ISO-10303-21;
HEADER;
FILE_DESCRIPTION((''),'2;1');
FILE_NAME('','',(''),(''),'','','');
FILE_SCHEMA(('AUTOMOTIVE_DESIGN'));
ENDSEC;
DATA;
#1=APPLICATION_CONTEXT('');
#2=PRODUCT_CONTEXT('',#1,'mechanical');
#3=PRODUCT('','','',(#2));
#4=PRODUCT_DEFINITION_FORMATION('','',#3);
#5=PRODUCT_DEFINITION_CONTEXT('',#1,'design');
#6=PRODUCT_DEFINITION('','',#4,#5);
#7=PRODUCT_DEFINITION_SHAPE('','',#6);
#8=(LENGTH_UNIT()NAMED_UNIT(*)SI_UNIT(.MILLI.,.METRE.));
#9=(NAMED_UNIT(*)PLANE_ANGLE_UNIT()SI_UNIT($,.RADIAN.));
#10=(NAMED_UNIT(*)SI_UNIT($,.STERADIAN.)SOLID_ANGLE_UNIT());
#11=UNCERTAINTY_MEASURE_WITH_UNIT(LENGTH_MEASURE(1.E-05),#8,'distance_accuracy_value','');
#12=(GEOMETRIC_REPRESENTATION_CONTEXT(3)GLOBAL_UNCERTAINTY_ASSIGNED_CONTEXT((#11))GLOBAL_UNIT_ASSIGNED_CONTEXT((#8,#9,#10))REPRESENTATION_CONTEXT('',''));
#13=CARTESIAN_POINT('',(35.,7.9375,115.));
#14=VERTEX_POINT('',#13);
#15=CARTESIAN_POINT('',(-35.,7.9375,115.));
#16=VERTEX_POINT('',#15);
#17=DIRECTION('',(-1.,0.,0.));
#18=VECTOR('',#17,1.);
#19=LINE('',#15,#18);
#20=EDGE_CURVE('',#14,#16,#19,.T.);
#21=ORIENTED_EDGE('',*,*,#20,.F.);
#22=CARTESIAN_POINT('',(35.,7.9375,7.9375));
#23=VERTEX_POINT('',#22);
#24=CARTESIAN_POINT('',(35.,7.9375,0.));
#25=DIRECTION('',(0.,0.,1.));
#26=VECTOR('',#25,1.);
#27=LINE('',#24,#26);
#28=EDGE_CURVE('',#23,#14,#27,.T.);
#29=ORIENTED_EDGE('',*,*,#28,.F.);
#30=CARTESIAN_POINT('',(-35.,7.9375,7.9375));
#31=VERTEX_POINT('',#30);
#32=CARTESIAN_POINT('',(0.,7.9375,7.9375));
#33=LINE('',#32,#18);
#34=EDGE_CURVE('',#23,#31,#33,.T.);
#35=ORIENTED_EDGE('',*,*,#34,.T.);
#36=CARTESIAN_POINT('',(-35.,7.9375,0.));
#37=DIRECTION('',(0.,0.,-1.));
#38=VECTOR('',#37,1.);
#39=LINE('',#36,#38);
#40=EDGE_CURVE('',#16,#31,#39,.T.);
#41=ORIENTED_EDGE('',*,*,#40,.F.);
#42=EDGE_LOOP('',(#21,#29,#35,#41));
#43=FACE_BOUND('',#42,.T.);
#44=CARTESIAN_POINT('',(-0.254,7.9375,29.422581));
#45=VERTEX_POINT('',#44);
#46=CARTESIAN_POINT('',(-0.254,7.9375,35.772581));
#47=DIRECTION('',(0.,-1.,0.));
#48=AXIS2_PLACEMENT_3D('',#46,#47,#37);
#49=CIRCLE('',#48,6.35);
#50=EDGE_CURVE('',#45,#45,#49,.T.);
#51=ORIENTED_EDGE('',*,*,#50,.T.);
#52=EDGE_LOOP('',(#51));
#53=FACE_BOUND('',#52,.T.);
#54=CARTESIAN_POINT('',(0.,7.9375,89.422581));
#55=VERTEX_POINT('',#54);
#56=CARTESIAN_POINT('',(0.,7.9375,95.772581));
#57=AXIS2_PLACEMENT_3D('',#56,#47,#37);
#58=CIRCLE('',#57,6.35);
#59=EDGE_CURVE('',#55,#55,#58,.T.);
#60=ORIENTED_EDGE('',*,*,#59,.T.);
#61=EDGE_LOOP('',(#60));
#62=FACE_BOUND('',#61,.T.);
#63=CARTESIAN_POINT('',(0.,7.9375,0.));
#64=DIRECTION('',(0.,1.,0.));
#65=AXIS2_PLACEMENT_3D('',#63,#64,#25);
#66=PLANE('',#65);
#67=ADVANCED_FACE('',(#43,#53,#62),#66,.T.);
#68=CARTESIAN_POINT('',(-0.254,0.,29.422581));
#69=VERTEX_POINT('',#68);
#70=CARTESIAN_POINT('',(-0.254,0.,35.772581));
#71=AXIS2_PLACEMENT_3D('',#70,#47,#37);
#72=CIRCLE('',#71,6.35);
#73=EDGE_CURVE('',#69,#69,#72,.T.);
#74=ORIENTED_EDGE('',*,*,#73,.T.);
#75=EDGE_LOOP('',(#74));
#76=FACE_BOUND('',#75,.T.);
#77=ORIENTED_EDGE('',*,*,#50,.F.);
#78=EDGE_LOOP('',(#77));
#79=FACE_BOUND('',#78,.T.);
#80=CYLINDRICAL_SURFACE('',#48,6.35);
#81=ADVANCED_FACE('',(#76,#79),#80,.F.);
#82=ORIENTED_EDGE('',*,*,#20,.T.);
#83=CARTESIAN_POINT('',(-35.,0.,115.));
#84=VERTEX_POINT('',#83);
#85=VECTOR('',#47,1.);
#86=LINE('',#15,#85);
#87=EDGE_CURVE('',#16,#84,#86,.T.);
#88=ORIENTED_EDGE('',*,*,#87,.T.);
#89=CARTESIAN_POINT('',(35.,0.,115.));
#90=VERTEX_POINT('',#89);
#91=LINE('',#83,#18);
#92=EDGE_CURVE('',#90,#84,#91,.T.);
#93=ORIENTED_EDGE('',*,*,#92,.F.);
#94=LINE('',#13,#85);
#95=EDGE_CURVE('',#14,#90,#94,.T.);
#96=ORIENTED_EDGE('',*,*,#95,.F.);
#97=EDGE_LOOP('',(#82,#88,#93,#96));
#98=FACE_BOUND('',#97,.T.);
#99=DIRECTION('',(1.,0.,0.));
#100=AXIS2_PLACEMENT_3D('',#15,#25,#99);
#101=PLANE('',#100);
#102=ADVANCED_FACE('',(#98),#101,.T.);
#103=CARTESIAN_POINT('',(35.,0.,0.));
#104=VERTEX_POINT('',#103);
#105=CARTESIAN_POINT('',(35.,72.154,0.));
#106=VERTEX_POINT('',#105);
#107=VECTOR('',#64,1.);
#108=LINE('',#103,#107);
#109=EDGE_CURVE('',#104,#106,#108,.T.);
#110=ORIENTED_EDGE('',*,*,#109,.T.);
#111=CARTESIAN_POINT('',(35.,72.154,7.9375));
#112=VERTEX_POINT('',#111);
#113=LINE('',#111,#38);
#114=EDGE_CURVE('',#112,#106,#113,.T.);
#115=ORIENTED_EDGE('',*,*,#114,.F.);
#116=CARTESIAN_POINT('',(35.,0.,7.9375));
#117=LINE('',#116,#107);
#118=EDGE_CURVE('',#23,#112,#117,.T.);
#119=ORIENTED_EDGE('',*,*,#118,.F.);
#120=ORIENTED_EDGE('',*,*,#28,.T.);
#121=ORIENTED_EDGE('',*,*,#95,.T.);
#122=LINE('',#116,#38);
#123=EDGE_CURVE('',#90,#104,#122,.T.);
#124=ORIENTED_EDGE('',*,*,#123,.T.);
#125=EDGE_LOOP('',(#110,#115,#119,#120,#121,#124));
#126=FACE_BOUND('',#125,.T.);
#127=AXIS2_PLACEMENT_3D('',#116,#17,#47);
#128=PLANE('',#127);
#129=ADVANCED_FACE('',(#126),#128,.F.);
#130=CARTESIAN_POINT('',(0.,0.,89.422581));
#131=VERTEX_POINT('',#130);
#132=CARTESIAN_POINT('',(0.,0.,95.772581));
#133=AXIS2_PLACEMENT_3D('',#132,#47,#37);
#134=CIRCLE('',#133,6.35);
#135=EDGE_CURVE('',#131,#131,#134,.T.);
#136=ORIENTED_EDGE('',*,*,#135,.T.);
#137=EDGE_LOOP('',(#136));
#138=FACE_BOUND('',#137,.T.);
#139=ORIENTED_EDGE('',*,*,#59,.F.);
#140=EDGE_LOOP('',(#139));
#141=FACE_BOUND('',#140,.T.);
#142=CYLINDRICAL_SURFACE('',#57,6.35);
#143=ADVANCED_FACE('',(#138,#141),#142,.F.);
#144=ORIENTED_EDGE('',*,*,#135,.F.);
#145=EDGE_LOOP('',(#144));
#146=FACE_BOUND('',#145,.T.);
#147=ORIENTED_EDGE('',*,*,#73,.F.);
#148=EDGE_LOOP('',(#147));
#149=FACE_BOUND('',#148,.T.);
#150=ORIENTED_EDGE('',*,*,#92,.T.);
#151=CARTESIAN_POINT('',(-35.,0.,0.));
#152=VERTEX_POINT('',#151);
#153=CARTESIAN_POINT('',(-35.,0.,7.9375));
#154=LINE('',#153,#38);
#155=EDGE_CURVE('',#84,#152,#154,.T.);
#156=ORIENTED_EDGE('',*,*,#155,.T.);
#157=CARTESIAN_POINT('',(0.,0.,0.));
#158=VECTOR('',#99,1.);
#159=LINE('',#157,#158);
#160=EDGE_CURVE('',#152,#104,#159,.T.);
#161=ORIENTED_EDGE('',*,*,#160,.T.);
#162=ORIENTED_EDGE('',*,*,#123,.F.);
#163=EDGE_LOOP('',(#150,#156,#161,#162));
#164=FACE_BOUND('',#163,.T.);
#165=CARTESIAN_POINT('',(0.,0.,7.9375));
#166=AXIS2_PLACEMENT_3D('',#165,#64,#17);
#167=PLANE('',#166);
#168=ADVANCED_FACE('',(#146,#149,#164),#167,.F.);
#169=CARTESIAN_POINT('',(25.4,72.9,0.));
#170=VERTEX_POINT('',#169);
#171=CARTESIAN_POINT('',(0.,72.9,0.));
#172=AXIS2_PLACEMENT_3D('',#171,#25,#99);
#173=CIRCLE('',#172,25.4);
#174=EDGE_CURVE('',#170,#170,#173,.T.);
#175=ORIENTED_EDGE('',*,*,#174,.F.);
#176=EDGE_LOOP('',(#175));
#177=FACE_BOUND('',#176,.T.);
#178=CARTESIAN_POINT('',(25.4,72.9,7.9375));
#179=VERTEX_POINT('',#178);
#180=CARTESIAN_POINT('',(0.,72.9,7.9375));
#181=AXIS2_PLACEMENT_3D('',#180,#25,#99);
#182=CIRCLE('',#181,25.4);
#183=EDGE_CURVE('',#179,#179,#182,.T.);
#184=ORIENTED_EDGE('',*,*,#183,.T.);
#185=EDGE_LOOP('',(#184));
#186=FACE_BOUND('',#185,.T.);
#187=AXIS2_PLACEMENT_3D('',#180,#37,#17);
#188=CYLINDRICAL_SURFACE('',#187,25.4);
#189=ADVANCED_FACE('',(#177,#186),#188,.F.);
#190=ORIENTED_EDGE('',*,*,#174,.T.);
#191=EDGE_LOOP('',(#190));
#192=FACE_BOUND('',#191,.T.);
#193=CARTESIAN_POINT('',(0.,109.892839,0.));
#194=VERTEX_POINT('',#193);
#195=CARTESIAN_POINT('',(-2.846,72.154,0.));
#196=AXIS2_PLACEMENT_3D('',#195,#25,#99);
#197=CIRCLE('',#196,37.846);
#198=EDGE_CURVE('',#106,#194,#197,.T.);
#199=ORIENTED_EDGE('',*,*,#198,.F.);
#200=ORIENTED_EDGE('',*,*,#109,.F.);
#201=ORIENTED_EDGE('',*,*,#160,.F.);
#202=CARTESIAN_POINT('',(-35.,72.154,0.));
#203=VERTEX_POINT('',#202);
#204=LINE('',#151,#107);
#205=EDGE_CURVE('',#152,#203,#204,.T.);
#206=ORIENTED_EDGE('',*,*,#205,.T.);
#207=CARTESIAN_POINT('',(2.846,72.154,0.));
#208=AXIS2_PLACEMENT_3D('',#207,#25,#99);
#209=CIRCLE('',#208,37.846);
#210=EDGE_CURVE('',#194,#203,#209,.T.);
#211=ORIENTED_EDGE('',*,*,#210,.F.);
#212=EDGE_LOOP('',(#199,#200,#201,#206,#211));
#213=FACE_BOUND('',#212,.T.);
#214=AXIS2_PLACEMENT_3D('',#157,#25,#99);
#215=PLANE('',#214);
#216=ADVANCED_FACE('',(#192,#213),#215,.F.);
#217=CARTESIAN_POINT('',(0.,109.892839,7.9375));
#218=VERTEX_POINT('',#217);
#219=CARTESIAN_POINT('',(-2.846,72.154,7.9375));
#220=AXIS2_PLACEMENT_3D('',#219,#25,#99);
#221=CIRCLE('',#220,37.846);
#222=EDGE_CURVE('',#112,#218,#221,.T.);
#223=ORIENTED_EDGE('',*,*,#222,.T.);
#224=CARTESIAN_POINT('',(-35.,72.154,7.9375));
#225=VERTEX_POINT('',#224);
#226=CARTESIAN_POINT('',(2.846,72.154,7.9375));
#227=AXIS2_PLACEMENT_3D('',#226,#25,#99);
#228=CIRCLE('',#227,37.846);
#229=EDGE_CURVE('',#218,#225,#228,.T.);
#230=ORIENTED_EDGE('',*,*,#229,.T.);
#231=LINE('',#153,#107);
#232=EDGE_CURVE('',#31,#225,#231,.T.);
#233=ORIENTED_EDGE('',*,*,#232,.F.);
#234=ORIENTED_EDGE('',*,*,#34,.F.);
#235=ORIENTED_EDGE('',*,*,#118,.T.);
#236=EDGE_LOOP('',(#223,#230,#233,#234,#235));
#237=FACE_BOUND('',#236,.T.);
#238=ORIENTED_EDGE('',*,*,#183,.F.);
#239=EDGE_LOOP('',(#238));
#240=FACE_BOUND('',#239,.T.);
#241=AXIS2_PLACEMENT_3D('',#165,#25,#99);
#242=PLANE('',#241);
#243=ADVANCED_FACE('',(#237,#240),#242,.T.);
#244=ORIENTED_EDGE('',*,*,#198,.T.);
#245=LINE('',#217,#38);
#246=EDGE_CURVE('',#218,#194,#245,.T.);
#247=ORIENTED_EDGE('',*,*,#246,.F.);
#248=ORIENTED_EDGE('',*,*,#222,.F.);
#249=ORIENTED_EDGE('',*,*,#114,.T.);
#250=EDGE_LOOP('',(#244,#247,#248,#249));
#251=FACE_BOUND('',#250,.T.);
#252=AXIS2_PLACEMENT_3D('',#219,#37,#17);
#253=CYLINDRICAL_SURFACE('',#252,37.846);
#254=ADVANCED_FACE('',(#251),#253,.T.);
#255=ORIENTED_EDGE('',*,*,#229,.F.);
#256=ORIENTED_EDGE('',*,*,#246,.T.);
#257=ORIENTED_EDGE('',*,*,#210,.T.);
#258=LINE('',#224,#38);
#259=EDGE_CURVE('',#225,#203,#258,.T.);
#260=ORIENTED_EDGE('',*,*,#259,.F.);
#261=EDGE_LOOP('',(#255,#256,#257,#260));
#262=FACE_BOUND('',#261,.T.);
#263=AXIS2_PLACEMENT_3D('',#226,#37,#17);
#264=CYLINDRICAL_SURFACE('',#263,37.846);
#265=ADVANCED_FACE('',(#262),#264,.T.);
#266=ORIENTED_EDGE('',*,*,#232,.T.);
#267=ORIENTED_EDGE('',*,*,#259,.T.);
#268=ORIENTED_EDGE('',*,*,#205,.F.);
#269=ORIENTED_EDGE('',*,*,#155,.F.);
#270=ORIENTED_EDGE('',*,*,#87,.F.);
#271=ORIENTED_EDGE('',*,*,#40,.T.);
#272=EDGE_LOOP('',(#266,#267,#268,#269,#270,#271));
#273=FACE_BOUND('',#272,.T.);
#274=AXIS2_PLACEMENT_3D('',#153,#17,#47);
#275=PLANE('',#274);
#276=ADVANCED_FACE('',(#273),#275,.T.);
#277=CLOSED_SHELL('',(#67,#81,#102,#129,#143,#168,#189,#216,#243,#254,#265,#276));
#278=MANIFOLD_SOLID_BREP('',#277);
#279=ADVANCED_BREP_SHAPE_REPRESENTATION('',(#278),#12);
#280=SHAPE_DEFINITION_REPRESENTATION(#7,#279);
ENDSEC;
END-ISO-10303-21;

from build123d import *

# Parameters (mm, degrees)
CROQUIS1_R              = 25.4
SALIENTE_EXTRUIR1_DEPTH = 7.9375
CROQUIS2_W              = 70
CROQUIS2_H              = 115
CROQUIS2_R              = 6.35
SALIENTE_EXTRUIR2_DEPTH = 7.9375


with BuildPart() as part:
    # Croquis1 → Saliente-Extruir1 (new body)
    with BuildSketch(Plane.XY):
        with BuildLine():
            Line((-35, 72.154), (-35, 0))
            Line((-35, 0), (35, 0))
            Line((35, 0), (35, 72.154))
            ThreePointArc((35, 72.154), (24.903139014, 97.889287059), (0, 109.89283941))
            ThreePointArc((0, 109.89283941), (-24.903139014, 97.889287059), (-35, 72.154))
        make_face()
        with Locations((0, 72.9)):
            Circle(CROQUIS1_R, mode=Mode.SUBTRACT)
    extrude(amount=SALIENTE_EXTRUIR1_DEPTH)

    # Croquis2 → Saliente-Extruir2 (add)
    with BuildSketch(Plane.XZ):
        with Locations((0, 57.5)):
            Rectangle(CROQUIS2_W, CROQUIS2_H)
        with Locations(Location((-0.254, 35.772581169, 0), (0, 0, 270))):
            Circle(CROQUIS2_R, mode=Mode.SUBTRACT)
        with Locations(Location((0, 95.772581169, 0), (0, 0, 270))):
            Circle(CROQUIS2_R, mode=Mode.SUBTRACT)
    extrude(amount=-SALIENTE_EXTRUIR2_DEPTH)


solid = part.part
